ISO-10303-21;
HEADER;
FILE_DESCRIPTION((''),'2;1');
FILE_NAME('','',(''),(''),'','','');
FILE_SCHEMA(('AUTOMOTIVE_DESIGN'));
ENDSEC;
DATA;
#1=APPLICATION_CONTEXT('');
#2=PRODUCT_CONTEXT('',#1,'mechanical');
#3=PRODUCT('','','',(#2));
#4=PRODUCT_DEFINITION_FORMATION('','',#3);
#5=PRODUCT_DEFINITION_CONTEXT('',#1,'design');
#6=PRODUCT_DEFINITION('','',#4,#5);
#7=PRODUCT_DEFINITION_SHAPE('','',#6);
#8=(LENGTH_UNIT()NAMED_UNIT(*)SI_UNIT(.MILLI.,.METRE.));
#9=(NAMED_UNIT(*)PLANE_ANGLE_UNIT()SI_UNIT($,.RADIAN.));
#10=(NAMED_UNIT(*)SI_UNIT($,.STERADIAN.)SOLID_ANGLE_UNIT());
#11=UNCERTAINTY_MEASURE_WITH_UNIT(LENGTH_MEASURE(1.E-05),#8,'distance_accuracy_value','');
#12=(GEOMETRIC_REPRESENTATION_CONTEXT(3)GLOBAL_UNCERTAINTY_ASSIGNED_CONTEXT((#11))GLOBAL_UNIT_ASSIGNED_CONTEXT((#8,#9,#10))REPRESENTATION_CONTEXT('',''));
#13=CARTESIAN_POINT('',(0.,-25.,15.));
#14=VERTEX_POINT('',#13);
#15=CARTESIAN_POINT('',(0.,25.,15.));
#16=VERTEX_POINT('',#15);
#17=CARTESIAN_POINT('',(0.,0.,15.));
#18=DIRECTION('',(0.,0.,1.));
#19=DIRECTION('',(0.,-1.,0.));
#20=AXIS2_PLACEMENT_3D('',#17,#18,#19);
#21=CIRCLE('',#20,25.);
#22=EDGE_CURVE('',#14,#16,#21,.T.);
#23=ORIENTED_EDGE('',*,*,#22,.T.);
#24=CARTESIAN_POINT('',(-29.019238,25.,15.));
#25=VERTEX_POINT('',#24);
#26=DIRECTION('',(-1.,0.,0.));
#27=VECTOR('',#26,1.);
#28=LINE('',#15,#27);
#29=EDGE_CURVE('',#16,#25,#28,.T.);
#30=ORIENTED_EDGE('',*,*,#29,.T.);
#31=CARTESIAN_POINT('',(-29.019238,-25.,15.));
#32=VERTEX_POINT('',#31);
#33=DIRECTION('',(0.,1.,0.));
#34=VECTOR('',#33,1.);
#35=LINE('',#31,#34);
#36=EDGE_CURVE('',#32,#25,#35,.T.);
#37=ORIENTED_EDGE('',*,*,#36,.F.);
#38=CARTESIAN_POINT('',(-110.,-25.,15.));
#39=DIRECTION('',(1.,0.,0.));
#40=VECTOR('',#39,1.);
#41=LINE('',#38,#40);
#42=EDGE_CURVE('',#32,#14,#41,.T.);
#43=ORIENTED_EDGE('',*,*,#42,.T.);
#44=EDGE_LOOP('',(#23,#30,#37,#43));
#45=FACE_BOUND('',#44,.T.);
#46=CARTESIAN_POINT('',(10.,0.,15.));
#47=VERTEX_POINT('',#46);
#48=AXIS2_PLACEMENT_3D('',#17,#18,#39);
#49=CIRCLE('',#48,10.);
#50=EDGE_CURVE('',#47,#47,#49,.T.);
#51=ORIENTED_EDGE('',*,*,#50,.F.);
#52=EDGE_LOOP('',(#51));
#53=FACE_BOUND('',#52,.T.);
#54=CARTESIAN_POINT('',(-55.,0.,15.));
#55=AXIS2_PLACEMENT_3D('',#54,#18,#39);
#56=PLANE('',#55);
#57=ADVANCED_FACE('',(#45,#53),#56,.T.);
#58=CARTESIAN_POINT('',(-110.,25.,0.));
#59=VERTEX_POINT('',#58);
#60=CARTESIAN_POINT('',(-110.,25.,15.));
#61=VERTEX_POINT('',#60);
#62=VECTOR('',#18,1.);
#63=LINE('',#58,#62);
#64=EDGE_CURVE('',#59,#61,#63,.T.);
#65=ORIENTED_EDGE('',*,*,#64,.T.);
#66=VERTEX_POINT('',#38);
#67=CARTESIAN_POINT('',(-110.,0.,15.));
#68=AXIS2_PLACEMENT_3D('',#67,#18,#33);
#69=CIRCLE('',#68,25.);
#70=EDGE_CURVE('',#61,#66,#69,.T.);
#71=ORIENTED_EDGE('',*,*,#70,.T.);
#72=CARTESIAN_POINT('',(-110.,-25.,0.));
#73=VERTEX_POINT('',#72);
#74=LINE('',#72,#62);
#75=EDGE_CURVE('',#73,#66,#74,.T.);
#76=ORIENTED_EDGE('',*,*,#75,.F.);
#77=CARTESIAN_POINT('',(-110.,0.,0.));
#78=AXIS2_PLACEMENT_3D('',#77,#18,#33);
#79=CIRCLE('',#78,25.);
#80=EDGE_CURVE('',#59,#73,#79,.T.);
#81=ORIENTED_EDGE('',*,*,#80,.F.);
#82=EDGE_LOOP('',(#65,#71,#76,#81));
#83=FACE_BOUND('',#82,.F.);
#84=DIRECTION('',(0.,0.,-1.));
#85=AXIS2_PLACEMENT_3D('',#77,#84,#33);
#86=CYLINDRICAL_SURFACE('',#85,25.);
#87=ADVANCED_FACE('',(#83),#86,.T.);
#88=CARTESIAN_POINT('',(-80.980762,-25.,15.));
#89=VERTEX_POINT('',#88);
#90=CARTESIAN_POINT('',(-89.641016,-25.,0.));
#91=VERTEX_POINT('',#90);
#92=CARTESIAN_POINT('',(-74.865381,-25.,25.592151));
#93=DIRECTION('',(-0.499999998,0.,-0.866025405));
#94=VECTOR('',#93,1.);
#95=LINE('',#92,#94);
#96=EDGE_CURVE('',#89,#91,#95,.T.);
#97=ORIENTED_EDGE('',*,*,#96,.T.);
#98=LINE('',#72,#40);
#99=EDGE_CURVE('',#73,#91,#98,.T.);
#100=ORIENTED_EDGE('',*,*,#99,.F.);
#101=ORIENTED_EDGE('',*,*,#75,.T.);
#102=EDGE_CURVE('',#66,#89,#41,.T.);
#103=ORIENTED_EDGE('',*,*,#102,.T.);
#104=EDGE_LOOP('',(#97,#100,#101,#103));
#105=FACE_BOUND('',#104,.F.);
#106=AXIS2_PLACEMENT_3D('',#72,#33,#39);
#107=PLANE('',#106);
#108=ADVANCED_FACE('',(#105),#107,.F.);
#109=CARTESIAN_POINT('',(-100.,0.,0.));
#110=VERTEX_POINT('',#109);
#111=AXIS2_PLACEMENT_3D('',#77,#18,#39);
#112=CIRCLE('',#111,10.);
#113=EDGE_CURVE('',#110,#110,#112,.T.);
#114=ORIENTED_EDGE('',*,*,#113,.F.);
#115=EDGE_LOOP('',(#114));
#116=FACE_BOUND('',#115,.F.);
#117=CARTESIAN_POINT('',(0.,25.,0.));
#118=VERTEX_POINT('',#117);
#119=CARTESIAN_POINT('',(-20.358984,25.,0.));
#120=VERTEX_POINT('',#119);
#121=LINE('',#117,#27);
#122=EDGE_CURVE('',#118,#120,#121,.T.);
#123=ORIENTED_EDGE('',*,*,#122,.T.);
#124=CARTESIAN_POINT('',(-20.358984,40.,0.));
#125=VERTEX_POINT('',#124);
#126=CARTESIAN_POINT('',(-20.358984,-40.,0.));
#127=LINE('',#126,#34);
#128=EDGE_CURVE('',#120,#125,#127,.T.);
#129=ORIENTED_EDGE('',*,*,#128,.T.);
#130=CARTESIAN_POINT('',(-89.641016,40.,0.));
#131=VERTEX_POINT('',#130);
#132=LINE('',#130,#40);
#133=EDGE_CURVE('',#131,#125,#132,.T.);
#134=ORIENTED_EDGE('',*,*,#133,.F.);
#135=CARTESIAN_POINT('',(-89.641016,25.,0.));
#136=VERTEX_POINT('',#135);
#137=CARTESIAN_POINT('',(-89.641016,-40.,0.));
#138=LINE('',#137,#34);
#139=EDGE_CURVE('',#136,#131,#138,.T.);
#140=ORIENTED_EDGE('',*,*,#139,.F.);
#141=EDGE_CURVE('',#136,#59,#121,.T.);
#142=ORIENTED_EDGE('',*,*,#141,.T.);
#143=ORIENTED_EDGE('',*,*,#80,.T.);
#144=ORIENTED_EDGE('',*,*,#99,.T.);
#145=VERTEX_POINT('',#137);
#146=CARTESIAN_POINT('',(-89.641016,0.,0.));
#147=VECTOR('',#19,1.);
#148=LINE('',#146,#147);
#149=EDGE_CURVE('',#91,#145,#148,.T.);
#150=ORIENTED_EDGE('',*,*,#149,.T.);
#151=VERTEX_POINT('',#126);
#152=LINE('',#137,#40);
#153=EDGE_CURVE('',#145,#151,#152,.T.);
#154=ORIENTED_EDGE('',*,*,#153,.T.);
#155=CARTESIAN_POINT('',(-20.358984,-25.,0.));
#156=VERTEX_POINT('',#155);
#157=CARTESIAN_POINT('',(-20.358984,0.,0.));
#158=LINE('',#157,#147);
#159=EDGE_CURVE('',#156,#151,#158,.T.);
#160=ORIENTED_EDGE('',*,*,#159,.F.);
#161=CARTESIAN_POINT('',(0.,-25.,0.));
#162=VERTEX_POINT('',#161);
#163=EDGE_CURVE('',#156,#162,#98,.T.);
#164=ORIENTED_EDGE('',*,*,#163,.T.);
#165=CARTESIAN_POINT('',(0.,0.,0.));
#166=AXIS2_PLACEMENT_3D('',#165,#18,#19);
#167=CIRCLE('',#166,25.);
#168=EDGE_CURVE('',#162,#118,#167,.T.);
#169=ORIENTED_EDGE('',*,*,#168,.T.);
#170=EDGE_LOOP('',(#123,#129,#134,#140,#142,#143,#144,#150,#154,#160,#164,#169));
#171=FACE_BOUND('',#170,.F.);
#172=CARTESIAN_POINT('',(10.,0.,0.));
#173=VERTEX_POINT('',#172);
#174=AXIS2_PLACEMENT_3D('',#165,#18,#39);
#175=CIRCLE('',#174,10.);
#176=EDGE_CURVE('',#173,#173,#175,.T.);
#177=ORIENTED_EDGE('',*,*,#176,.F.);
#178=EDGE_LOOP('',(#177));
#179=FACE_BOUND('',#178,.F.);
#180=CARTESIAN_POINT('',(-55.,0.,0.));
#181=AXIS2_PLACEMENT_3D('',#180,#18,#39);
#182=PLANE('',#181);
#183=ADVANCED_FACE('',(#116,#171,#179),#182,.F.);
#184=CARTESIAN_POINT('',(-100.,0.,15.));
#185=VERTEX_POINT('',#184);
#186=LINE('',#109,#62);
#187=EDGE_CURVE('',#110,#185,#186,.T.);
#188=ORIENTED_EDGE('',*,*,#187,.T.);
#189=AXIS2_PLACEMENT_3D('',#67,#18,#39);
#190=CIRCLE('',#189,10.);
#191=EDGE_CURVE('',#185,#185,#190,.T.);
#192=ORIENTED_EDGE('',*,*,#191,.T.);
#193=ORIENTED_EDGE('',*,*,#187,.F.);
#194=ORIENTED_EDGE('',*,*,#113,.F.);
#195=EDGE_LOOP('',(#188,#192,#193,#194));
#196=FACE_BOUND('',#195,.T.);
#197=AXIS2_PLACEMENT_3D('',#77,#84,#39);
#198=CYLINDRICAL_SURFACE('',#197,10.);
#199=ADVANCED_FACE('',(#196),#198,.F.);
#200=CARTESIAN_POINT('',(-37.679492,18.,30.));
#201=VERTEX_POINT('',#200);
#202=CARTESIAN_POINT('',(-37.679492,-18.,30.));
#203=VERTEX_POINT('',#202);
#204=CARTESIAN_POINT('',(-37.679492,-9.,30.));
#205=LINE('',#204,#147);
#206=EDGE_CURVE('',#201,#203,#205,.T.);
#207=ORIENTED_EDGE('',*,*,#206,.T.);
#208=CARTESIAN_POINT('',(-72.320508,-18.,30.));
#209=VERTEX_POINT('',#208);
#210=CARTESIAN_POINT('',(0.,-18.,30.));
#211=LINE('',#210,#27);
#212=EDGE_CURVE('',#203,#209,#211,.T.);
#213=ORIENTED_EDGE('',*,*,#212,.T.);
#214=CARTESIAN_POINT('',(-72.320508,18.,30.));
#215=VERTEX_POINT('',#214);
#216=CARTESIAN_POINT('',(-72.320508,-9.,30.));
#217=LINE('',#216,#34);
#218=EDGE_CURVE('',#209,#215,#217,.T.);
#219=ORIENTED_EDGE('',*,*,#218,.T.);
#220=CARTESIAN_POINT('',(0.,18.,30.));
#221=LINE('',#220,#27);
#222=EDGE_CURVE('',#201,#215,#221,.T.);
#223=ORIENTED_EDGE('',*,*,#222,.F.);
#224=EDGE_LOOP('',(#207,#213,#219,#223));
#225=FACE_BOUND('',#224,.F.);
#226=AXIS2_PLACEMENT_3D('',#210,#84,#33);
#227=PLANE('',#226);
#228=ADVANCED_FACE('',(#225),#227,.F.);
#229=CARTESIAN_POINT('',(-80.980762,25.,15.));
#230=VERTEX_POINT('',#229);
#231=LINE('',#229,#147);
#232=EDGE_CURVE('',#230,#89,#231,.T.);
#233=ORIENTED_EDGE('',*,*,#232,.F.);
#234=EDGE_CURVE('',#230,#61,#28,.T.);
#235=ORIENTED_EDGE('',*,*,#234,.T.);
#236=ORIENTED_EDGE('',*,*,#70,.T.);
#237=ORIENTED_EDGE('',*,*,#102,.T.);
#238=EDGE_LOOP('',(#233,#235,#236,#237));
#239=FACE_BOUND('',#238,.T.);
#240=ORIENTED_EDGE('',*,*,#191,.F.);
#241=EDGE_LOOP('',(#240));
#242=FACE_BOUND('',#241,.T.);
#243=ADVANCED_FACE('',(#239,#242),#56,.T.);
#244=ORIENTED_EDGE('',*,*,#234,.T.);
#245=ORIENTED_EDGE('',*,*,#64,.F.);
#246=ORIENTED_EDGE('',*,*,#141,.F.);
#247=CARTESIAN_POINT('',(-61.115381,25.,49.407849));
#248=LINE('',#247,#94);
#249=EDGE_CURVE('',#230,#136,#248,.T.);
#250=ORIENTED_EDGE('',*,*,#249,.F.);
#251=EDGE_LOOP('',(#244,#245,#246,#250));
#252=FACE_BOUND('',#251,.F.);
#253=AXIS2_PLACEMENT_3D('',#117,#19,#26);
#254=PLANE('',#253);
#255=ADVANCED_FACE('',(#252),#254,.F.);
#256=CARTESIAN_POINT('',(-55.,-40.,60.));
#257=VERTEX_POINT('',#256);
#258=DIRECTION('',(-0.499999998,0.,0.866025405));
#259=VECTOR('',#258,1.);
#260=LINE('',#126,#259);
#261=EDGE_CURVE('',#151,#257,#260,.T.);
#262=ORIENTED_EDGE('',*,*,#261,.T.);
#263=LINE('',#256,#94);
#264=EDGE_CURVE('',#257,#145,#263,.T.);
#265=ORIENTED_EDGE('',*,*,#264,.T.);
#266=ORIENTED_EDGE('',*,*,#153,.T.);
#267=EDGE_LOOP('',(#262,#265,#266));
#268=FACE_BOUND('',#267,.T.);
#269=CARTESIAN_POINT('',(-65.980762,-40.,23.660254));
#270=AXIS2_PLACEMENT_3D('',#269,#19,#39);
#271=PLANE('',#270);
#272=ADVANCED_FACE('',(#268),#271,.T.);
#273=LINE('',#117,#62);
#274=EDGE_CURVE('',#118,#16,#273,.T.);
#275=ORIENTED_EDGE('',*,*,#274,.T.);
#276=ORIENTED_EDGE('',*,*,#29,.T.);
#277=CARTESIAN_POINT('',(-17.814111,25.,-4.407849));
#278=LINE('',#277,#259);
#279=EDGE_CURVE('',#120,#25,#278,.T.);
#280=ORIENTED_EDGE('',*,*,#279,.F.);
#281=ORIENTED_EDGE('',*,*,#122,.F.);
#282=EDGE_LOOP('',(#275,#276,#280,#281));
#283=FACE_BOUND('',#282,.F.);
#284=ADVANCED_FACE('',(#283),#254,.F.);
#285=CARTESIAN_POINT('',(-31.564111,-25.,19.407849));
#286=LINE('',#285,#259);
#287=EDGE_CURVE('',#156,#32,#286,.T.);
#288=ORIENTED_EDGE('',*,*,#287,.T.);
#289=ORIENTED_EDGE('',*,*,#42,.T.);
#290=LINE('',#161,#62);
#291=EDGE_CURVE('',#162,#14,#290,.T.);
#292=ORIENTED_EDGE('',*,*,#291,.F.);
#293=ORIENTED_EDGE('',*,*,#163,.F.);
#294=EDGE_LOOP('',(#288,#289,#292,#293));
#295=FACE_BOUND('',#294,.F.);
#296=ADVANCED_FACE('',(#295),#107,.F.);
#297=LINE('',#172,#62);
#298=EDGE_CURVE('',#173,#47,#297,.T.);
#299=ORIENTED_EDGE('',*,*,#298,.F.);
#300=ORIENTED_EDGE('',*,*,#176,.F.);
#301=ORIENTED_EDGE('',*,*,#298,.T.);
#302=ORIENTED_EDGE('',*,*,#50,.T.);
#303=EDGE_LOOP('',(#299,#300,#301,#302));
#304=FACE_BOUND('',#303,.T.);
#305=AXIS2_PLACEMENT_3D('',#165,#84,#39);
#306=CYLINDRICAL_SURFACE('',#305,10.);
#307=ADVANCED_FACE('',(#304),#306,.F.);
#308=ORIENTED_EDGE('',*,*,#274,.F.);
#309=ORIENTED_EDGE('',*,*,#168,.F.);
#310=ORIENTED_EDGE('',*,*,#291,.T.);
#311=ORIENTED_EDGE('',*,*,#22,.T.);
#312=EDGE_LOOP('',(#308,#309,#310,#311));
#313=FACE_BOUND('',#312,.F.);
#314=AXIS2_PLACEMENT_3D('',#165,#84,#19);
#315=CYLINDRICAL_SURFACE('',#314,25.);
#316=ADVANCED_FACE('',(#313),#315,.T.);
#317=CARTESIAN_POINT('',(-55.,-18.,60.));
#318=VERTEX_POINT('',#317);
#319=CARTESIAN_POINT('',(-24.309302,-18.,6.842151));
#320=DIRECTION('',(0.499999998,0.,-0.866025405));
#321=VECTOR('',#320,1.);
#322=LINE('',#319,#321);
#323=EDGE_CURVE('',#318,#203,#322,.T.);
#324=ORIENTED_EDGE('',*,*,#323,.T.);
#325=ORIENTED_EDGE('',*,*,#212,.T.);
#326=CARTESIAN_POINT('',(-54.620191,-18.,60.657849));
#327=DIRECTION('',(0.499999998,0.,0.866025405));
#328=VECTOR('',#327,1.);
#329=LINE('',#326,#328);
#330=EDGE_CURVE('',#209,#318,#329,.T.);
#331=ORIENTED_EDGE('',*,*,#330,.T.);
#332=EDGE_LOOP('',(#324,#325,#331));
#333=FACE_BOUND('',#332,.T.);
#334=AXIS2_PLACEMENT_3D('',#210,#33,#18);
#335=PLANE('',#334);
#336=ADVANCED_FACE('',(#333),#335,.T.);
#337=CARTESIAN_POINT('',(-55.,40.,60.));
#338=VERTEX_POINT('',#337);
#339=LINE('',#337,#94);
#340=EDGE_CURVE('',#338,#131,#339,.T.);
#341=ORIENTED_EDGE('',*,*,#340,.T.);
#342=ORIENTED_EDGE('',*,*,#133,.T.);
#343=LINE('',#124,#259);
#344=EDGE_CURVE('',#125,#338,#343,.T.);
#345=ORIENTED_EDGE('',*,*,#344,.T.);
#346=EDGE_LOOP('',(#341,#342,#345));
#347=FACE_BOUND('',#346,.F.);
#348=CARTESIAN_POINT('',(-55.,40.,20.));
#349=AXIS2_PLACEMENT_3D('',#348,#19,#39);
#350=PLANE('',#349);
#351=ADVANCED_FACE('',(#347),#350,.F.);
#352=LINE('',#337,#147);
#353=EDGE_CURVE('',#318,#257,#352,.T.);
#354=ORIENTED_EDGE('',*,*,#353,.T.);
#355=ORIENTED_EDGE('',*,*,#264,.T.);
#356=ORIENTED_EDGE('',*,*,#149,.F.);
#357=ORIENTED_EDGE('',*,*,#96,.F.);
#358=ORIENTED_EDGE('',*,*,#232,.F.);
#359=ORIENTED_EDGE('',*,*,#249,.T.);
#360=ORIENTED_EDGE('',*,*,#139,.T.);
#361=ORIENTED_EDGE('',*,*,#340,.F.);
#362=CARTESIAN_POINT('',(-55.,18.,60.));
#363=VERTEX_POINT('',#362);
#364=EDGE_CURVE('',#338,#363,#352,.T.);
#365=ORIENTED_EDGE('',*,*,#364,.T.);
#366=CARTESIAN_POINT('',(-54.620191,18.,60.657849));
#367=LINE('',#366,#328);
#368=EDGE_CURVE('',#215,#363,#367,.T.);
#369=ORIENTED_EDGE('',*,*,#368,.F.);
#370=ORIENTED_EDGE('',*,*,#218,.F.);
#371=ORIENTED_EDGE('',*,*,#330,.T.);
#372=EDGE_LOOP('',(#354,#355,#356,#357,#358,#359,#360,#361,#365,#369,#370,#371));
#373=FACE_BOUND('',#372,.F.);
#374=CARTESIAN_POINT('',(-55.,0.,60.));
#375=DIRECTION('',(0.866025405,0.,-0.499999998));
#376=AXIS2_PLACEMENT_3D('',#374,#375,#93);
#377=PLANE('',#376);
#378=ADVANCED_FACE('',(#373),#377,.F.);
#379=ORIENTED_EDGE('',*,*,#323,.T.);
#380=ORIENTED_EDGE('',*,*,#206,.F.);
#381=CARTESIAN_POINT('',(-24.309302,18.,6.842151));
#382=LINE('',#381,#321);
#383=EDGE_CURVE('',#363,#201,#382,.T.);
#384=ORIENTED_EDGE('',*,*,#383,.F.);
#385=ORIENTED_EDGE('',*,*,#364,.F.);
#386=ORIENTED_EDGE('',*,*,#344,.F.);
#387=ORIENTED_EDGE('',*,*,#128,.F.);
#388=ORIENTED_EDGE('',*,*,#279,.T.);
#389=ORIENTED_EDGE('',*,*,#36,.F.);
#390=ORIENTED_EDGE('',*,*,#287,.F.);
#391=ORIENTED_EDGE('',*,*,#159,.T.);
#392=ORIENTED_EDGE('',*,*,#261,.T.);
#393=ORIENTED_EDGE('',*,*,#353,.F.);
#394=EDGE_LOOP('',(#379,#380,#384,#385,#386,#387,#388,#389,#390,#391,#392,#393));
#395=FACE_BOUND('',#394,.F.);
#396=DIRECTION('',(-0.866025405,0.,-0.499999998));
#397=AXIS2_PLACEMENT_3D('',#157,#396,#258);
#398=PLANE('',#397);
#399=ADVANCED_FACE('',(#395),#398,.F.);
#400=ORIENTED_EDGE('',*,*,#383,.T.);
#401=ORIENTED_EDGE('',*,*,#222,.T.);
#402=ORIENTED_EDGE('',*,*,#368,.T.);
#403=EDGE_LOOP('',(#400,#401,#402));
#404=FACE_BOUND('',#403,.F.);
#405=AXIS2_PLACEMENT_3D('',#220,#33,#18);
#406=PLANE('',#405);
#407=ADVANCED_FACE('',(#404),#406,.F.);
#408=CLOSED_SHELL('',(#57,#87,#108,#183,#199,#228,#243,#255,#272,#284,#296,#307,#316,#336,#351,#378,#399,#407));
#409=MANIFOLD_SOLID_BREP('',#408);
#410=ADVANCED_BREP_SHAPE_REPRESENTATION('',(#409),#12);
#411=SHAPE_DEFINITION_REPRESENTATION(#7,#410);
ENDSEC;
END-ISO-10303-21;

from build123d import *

# Parameters (mm, degrees)
F0_R     = 10
F1_DEPTH = 15
F3_DEPTH = 40
F4_DEPTH = 80
F5_W     = 36
F5_H     = 30
F6_DEPTH = 80


with BuildPart() as f1:
    # F0 (on Top) → F1 (new body)
    with BuildSketch(Plane.XY):
        with BuildLine():
            Line((-110, -25), (0, -25))
            ThreePointArc((0, -25), (25, 0), (0, 25))
            Line((0, 25), (-110, 25))
            ThreePointArc((-110, 25), (-135, 0), (-110, -25))
        make_face()
        with Locations((-110, 0)):
            Circle(F0_R, mode=Mode.SUBTRACT)
        Circle(F0_R, mode=Mode.SUBTRACT)
    extrude(amount=F1_DEPTH)

    # F2 (on Front) → F3 (join)
    with BuildSketch(Plane.XZ):
        Polygon((-89.641016, 0), (-55, 0), (-55, 60), align=None)
        Polygon((-55, 0), (-20.358984, 0), (-55, 60), align=None)
    extrude(amount=F3_DEPTH)

    # F3_face (on face) → F4 (join)
    with BuildSketch(Plane(origin=(-55, -40, 20), x_dir=(1, 0, 0), z_dir=(0, -1, 0))):
        Polygon((-34.641016, -20), (34.641016, -20), (0, 40), align=None)
    extrude(amount=-F4_DEPTH)

    # F5 (on Right) → F6 (cut)
    with BuildSketch(Plane.YZ):
        with Locations((0, 45)):
            Rectangle(F5_W, F5_H)
    extrude(amount=-F6_DEPTH, mode=Mode.SUBTRACT)


solid = f1.part
